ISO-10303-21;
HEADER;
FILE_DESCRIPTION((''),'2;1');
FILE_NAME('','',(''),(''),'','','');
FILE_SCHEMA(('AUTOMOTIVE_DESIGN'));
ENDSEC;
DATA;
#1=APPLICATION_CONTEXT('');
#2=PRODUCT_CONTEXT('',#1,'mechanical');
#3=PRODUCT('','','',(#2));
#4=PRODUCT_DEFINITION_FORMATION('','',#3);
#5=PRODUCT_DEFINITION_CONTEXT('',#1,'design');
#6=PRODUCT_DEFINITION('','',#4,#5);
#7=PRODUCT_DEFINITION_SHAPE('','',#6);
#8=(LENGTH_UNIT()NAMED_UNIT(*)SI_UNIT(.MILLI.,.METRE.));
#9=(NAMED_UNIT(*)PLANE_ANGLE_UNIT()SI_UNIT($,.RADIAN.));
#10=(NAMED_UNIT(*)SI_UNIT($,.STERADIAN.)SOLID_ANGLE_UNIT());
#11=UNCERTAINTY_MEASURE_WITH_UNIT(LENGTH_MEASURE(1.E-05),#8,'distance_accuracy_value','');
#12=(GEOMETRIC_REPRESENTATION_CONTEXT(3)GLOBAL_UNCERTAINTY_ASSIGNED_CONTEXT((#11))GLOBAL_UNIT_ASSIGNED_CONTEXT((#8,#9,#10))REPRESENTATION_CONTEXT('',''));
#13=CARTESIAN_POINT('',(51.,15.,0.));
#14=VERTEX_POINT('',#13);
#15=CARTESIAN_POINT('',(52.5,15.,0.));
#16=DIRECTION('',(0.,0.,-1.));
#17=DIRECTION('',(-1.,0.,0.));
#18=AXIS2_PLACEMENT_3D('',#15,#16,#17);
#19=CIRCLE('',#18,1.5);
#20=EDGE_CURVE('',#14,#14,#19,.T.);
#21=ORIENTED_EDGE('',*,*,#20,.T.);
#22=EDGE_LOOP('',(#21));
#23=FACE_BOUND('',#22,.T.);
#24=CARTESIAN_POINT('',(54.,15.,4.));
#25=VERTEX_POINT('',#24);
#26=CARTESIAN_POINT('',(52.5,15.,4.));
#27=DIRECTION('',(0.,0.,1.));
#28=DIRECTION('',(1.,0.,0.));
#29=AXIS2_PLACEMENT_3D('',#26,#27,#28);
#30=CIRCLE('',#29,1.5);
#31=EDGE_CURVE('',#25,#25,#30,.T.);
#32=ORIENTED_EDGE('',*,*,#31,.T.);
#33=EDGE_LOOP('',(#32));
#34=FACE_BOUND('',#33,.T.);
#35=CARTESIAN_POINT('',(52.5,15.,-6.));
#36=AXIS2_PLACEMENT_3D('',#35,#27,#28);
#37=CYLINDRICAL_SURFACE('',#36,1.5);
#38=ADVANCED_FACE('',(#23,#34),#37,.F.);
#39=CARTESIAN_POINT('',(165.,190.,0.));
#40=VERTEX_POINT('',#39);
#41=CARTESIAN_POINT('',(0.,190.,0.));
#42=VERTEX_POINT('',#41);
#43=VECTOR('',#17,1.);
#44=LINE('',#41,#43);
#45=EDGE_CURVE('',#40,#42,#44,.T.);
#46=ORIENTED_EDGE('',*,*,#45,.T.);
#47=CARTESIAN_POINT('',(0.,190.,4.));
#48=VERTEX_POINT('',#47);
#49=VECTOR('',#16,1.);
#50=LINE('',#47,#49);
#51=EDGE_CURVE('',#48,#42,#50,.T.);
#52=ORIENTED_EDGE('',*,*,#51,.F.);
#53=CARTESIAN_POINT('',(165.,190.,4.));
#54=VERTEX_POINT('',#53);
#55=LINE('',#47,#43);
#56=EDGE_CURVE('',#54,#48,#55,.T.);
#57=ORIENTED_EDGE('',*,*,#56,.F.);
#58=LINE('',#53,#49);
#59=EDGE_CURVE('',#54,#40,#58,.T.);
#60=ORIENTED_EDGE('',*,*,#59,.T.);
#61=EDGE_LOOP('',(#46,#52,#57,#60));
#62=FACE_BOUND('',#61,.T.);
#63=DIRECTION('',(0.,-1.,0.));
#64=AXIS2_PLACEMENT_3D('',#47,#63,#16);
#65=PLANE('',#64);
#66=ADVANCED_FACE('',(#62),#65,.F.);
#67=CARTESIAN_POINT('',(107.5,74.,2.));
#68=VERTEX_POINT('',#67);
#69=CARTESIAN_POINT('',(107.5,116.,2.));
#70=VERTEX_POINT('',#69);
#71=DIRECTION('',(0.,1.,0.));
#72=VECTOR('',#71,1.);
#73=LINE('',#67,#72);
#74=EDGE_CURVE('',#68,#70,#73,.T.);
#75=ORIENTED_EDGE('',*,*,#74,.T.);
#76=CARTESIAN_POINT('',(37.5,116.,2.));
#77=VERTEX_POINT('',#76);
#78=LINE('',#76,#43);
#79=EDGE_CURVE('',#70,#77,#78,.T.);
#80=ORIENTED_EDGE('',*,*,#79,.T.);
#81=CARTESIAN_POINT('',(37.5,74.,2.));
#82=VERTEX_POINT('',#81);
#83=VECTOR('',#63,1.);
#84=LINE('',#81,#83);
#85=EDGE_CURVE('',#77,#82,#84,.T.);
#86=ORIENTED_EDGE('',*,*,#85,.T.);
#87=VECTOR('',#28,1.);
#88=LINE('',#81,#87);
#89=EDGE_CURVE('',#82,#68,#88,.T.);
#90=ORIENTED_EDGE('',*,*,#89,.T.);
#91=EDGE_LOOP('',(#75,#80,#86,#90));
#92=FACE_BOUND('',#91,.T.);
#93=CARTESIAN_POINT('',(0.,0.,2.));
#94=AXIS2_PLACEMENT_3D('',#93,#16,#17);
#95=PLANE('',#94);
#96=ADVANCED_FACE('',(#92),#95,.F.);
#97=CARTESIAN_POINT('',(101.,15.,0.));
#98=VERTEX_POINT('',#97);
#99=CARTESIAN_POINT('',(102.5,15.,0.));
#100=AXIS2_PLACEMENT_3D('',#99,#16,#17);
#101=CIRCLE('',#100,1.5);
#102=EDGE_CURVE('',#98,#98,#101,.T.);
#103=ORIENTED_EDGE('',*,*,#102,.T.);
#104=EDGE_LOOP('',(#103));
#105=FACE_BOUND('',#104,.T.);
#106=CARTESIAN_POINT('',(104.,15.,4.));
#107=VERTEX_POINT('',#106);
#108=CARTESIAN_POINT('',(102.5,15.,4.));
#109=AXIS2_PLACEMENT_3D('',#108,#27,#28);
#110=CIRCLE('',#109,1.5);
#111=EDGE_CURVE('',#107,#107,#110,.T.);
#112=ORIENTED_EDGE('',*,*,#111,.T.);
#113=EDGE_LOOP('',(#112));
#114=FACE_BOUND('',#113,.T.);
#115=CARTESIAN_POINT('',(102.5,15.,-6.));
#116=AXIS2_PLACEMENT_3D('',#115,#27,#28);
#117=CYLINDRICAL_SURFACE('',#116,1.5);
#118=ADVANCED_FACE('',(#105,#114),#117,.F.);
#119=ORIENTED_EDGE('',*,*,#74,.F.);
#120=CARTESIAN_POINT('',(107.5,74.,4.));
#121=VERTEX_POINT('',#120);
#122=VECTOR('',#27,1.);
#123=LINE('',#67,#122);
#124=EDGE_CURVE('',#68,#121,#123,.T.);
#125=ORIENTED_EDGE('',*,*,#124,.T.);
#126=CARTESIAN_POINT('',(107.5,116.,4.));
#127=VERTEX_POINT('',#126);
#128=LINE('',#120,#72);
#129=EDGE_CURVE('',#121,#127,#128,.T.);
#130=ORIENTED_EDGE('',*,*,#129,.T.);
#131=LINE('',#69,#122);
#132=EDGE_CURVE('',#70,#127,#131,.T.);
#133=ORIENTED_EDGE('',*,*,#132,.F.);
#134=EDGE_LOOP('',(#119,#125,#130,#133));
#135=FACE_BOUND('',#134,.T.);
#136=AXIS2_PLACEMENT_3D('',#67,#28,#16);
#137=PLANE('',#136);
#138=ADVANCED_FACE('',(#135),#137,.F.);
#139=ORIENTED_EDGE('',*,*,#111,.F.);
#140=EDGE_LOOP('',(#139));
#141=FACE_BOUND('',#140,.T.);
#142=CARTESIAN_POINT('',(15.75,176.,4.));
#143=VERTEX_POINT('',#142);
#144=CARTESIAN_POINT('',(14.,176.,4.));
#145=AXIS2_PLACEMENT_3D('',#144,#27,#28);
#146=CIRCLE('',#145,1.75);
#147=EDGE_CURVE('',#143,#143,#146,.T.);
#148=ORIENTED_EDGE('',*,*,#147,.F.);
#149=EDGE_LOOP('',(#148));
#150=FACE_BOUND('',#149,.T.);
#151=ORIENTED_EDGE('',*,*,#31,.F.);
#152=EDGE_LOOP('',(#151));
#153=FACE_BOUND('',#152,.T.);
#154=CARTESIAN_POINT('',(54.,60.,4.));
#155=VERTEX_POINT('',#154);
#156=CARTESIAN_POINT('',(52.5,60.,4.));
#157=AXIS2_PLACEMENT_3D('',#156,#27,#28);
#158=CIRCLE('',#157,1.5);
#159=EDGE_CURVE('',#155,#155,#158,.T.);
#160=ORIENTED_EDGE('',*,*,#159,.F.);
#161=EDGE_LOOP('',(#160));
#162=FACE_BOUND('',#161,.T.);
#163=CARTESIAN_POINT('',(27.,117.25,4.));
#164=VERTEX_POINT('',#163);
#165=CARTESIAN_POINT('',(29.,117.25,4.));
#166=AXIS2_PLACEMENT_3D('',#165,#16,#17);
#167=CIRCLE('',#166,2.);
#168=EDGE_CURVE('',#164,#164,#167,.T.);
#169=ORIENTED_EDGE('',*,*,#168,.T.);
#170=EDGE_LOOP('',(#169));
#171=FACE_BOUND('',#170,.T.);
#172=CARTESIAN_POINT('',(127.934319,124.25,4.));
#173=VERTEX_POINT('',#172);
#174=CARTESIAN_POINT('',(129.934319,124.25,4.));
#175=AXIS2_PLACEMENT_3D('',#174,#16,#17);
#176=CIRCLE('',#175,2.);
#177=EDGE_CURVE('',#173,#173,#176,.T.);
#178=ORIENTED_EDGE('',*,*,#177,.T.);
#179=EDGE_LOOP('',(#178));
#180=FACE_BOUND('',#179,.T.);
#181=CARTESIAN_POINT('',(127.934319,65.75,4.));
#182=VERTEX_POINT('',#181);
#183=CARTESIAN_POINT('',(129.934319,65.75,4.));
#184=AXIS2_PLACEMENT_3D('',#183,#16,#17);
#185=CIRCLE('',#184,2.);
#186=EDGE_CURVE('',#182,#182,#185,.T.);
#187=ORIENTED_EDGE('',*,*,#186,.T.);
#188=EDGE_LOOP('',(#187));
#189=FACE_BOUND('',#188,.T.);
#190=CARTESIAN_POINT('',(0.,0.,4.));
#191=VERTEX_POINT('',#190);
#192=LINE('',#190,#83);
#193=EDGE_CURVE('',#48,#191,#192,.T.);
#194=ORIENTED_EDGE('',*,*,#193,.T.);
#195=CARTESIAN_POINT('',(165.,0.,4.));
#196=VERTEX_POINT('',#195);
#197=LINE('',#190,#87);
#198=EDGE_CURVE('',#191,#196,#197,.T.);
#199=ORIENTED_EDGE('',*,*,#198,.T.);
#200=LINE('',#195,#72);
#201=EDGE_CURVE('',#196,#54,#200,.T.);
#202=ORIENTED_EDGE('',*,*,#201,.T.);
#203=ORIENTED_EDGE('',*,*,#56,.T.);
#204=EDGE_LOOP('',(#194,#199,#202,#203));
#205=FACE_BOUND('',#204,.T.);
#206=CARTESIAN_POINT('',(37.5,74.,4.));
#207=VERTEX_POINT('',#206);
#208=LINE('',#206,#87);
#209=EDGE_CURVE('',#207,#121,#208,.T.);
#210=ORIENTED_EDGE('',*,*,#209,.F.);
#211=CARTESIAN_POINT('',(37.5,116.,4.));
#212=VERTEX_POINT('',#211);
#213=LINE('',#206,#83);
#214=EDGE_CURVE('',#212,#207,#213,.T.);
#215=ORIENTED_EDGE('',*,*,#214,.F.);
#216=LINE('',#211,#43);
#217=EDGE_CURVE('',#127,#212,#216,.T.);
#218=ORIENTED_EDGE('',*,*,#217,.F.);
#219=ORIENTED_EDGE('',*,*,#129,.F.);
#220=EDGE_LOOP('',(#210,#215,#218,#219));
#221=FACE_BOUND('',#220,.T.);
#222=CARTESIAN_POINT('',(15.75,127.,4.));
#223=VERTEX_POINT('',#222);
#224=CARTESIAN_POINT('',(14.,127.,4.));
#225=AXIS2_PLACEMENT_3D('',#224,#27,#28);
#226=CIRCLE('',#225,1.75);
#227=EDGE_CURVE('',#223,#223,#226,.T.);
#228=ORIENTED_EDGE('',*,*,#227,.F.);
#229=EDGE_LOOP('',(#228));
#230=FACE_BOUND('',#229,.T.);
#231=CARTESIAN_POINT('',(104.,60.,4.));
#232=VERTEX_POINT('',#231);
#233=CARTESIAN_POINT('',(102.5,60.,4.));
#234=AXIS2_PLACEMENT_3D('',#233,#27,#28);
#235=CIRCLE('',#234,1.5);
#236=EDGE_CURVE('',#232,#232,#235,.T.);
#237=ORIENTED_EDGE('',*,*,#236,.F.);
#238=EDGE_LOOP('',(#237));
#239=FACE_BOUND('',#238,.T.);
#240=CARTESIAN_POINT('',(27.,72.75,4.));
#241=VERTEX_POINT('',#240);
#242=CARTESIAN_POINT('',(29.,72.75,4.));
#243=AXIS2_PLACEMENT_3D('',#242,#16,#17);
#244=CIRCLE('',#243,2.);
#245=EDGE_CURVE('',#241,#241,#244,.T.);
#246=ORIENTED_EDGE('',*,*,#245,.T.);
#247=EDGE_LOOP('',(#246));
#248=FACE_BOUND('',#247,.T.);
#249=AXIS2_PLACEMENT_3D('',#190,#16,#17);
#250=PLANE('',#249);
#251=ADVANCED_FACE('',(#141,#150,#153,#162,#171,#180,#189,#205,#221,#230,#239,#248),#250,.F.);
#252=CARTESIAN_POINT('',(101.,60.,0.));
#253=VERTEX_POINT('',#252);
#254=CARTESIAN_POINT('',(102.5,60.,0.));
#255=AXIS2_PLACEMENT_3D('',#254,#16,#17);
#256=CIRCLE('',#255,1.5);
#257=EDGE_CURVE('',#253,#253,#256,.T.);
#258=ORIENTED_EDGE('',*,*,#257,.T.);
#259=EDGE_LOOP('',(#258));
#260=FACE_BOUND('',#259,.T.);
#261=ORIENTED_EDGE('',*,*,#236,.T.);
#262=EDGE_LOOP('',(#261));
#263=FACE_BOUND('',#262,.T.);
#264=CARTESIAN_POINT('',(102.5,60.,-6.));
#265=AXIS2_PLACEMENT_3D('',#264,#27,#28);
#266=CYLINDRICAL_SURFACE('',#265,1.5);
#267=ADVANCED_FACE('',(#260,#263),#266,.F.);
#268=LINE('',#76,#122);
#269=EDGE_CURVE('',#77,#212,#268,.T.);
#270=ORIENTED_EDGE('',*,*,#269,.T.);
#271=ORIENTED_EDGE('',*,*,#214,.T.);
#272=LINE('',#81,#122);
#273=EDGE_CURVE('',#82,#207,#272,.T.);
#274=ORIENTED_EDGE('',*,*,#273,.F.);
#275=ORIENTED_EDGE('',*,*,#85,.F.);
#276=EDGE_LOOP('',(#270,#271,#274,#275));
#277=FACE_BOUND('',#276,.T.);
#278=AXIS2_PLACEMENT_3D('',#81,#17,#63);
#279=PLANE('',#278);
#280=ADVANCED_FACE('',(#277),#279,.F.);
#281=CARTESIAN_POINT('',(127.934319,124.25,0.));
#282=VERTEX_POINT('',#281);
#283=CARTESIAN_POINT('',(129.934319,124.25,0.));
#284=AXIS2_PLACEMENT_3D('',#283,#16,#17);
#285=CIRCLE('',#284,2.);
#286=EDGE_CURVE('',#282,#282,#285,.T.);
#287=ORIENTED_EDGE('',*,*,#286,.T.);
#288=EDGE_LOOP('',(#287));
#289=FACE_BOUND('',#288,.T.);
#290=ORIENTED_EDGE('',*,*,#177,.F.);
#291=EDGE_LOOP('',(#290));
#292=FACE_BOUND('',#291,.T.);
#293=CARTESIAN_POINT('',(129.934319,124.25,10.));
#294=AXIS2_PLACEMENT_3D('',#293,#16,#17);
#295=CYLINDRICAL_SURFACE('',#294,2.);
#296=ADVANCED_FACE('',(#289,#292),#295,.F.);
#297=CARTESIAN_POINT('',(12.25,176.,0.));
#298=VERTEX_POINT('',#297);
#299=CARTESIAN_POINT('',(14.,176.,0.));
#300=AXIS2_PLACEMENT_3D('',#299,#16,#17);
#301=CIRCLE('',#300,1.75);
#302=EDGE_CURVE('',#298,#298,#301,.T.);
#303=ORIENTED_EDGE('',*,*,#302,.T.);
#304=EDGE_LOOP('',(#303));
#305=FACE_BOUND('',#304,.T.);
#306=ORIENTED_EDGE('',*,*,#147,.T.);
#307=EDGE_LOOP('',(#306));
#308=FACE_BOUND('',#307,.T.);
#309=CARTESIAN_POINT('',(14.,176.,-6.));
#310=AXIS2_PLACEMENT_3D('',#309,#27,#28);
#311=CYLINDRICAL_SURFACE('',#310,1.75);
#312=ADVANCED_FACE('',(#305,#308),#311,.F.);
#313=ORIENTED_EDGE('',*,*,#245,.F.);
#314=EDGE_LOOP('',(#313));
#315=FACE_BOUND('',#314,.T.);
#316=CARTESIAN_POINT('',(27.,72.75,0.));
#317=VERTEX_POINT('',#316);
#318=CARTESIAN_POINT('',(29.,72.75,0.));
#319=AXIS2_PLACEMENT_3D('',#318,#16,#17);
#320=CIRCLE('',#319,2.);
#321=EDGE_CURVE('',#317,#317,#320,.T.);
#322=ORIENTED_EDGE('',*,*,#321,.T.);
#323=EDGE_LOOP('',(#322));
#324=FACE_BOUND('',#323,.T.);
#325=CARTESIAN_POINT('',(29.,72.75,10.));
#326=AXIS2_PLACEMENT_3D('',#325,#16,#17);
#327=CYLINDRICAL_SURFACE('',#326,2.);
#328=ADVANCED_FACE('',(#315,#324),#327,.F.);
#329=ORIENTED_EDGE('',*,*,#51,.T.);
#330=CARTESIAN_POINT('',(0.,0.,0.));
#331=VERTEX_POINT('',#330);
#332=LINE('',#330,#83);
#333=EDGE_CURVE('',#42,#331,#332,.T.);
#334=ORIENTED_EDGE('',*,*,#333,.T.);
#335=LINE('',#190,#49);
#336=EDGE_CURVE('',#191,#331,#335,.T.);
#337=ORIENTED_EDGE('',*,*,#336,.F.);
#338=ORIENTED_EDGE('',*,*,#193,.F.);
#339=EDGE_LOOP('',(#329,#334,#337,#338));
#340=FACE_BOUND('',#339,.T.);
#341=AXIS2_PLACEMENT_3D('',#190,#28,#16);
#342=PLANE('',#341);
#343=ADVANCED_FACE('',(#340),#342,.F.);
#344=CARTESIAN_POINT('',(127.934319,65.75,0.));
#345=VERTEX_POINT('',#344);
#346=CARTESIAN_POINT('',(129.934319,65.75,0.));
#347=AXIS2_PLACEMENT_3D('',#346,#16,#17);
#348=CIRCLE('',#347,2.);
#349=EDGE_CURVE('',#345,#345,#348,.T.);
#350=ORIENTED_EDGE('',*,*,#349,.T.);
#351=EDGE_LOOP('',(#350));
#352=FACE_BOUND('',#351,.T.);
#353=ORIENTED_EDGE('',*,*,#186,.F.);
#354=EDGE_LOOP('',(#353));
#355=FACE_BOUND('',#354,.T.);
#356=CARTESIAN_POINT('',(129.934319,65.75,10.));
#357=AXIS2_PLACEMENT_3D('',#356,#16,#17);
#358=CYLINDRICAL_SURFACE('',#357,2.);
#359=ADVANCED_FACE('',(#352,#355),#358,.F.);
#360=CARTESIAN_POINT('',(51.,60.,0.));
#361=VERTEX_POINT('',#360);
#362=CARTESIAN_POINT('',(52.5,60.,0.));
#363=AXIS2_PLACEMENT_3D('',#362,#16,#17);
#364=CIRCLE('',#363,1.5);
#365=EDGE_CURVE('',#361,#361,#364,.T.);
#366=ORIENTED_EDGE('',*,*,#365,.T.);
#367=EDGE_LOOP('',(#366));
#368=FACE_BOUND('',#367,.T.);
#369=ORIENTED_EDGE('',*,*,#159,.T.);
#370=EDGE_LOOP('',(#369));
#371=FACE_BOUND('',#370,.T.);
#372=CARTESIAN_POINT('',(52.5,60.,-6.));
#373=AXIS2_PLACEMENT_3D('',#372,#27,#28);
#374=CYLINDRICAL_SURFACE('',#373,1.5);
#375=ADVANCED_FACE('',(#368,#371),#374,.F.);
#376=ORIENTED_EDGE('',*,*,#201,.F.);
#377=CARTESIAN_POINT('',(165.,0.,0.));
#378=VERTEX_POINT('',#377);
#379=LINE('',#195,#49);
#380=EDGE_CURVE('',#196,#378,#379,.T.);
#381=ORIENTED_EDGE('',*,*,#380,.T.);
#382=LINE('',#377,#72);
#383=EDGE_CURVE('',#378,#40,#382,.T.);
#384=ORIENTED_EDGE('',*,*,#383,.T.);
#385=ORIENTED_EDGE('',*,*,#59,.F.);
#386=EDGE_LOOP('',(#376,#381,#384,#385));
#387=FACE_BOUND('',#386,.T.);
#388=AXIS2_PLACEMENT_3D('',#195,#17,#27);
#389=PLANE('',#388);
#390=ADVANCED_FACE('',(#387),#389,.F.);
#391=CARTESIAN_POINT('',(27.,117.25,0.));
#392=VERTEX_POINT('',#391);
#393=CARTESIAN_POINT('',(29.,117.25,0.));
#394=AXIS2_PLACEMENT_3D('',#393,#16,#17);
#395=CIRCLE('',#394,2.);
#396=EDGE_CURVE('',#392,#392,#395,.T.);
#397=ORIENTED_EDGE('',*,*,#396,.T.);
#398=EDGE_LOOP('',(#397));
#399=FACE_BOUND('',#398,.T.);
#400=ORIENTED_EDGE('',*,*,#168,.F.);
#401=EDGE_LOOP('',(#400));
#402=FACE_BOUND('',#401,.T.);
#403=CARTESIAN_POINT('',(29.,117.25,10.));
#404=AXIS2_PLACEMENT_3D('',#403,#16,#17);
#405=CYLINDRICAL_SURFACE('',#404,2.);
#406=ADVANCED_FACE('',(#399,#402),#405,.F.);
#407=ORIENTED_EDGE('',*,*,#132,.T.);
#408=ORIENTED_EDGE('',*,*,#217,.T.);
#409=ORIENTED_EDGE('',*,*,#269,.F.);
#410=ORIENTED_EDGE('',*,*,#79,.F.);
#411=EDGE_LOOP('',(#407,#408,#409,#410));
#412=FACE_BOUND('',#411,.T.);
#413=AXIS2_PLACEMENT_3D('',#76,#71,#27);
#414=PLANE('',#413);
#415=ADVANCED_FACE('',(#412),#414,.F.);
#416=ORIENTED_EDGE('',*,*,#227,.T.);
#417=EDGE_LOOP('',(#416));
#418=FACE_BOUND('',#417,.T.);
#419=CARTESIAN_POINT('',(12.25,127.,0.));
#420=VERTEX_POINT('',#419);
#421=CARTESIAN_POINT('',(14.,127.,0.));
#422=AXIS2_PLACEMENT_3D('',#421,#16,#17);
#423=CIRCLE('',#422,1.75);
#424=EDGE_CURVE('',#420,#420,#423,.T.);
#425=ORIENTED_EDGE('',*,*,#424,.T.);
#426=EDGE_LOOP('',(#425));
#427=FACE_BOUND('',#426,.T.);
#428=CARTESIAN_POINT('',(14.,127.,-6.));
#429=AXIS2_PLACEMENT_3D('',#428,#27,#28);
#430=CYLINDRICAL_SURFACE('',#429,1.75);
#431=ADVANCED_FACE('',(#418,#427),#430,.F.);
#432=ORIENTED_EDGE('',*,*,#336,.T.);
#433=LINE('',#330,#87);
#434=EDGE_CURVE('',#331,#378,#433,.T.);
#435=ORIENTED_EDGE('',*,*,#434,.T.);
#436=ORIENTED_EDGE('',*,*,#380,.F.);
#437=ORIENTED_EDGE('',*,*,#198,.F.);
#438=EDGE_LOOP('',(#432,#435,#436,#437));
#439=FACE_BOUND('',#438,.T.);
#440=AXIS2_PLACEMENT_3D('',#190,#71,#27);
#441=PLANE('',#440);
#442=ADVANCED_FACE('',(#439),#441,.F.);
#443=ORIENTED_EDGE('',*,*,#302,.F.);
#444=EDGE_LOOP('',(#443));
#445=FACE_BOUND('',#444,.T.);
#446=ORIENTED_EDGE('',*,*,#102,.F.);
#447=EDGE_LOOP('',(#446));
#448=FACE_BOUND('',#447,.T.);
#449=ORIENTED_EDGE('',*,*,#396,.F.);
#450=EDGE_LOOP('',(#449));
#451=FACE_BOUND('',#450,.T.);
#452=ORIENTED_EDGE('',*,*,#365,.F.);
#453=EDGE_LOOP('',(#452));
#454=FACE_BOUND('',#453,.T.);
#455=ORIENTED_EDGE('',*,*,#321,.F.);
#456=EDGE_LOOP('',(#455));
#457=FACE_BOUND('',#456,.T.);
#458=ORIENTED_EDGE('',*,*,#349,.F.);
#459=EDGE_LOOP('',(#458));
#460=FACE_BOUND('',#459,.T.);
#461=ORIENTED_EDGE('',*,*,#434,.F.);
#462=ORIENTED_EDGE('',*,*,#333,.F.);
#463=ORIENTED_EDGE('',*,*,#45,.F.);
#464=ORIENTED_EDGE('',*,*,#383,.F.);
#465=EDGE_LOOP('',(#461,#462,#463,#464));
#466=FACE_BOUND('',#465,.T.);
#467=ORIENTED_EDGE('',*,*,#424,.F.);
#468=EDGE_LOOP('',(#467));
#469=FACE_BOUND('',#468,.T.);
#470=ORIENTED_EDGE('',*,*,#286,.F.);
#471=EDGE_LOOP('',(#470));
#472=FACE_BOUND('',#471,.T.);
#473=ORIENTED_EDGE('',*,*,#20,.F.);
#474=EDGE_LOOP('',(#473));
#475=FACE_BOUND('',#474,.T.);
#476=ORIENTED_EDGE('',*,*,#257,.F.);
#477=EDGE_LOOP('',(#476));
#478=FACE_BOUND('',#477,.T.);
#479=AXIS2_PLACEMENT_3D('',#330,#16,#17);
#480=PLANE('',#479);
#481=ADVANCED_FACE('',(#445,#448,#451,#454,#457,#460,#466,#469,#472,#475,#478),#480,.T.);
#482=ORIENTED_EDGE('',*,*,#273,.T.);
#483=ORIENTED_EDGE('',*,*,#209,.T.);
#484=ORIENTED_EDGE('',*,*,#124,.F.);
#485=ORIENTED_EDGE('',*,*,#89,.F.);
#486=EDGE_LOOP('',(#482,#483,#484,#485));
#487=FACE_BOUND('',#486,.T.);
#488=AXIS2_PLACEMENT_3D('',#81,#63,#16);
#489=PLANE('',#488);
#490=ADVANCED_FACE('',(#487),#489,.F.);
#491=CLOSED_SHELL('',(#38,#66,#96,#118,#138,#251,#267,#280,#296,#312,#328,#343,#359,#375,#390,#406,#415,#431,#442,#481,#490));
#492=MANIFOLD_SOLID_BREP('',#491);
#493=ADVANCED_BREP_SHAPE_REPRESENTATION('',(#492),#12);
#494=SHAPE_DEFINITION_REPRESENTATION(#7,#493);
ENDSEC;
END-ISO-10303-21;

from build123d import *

# Parameters (mm, degrees)
ESQUISSE1_W             = 165
ESQUISSE1_H             = 190
BOSS_EXTRU_1_DEPTH      = 4
ESQUISSE2_R             = 2
ENL_V_MAT_EXTRU_1_DEPTH = 10
ESQUISSE3_R             = 1.75
ENL_V_MAT_EXTRU_2_DEPTH = 10
ESQUISSE4_R             = 1.5
ENL_V_MAT_EXTRU_3_DEPTH = 10
ESQUISSE5_W             = 70
ESQUISSE5_H             = 42
ENL_V_MAT_EXTRU_4_DEPTH = 2


with BuildPart() as part:
    # Esquisse1 → Boss.-Extru.1 (new body)
    with BuildSketch(Plane.XY):
        with Locations((82.5, 95)):
            Rectangle(ESQUISSE1_W, ESQUISSE1_H)
    extrude(amount=BOSS_EXTRU_1_DEPTH)

    # Esquisse2 → Enlèv. mat.-Extru.1 (cut)
    with BuildSketch(Plane(origin=(0, 0, 0), x_dir=(-1, 0, 0), z_dir=(0, 0, -1))):
        with Locations((-129.934319196, 124.25)):
            Circle(ESQUISSE2_R)
        with Locations((-29, 117.25)):
            Circle(ESQUISSE2_R)
        with Locations((-29, 72.75)):
            Circle(ESQUISSE2_R)
        with Locations((-129.934319196, 65.75)):
            Circle(ESQUISSE2_R)
    extrude(amount=-ENL_V_MAT_EXTRU_1_DEPTH, mode=Mode.SUBTRACT)

    # Esquisse3 → Enlèv. mat.-Extru.2 (cut)
    with BuildSketch(Plane.XY.offset(4)):
        with Locations((14, 176)):
            Circle(ESQUISSE3_R)
        with Locations((14, 127)):
            Circle(ESQUISSE3_R)
    extrude(amount=-ENL_V_MAT_EXTRU_2_DEPTH, mode=Mode.SUBTRACT)

    # Esquisse4 → Enlèv. mat.-Extru.3 (cut)
    with BuildSketch(Plane.XY.offset(4)):
        with Locations((52.5, 15)):
            Circle(ESQUISSE4_R)
        with Locations((52.5, 60)):
            Circle(ESQUISSE4_R)
        with Locations((102.5, 60)):
            Circle(ESQUISSE4_R)
        with Locations((102.5, 15)):
            Circle(ESQUISSE4_R)
    extrude(amount=-ENL_V_MAT_EXTRU_3_DEPTH, mode=Mode.SUBTRACT)

    # Esquisse5 → Enlèv. mat.-Extru.4 (cut)
    with BuildSketch(Plane.XY.offset(4)):
        with Locations((72.5, 95)):
            Rectangle(ESQUISSE5_W, ESQUISSE5_H)
    extrude(amount=-ENL_V_MAT_EXTRU_4_DEPTH, mode=Mode.SUBTRACT)


solid = part.part
